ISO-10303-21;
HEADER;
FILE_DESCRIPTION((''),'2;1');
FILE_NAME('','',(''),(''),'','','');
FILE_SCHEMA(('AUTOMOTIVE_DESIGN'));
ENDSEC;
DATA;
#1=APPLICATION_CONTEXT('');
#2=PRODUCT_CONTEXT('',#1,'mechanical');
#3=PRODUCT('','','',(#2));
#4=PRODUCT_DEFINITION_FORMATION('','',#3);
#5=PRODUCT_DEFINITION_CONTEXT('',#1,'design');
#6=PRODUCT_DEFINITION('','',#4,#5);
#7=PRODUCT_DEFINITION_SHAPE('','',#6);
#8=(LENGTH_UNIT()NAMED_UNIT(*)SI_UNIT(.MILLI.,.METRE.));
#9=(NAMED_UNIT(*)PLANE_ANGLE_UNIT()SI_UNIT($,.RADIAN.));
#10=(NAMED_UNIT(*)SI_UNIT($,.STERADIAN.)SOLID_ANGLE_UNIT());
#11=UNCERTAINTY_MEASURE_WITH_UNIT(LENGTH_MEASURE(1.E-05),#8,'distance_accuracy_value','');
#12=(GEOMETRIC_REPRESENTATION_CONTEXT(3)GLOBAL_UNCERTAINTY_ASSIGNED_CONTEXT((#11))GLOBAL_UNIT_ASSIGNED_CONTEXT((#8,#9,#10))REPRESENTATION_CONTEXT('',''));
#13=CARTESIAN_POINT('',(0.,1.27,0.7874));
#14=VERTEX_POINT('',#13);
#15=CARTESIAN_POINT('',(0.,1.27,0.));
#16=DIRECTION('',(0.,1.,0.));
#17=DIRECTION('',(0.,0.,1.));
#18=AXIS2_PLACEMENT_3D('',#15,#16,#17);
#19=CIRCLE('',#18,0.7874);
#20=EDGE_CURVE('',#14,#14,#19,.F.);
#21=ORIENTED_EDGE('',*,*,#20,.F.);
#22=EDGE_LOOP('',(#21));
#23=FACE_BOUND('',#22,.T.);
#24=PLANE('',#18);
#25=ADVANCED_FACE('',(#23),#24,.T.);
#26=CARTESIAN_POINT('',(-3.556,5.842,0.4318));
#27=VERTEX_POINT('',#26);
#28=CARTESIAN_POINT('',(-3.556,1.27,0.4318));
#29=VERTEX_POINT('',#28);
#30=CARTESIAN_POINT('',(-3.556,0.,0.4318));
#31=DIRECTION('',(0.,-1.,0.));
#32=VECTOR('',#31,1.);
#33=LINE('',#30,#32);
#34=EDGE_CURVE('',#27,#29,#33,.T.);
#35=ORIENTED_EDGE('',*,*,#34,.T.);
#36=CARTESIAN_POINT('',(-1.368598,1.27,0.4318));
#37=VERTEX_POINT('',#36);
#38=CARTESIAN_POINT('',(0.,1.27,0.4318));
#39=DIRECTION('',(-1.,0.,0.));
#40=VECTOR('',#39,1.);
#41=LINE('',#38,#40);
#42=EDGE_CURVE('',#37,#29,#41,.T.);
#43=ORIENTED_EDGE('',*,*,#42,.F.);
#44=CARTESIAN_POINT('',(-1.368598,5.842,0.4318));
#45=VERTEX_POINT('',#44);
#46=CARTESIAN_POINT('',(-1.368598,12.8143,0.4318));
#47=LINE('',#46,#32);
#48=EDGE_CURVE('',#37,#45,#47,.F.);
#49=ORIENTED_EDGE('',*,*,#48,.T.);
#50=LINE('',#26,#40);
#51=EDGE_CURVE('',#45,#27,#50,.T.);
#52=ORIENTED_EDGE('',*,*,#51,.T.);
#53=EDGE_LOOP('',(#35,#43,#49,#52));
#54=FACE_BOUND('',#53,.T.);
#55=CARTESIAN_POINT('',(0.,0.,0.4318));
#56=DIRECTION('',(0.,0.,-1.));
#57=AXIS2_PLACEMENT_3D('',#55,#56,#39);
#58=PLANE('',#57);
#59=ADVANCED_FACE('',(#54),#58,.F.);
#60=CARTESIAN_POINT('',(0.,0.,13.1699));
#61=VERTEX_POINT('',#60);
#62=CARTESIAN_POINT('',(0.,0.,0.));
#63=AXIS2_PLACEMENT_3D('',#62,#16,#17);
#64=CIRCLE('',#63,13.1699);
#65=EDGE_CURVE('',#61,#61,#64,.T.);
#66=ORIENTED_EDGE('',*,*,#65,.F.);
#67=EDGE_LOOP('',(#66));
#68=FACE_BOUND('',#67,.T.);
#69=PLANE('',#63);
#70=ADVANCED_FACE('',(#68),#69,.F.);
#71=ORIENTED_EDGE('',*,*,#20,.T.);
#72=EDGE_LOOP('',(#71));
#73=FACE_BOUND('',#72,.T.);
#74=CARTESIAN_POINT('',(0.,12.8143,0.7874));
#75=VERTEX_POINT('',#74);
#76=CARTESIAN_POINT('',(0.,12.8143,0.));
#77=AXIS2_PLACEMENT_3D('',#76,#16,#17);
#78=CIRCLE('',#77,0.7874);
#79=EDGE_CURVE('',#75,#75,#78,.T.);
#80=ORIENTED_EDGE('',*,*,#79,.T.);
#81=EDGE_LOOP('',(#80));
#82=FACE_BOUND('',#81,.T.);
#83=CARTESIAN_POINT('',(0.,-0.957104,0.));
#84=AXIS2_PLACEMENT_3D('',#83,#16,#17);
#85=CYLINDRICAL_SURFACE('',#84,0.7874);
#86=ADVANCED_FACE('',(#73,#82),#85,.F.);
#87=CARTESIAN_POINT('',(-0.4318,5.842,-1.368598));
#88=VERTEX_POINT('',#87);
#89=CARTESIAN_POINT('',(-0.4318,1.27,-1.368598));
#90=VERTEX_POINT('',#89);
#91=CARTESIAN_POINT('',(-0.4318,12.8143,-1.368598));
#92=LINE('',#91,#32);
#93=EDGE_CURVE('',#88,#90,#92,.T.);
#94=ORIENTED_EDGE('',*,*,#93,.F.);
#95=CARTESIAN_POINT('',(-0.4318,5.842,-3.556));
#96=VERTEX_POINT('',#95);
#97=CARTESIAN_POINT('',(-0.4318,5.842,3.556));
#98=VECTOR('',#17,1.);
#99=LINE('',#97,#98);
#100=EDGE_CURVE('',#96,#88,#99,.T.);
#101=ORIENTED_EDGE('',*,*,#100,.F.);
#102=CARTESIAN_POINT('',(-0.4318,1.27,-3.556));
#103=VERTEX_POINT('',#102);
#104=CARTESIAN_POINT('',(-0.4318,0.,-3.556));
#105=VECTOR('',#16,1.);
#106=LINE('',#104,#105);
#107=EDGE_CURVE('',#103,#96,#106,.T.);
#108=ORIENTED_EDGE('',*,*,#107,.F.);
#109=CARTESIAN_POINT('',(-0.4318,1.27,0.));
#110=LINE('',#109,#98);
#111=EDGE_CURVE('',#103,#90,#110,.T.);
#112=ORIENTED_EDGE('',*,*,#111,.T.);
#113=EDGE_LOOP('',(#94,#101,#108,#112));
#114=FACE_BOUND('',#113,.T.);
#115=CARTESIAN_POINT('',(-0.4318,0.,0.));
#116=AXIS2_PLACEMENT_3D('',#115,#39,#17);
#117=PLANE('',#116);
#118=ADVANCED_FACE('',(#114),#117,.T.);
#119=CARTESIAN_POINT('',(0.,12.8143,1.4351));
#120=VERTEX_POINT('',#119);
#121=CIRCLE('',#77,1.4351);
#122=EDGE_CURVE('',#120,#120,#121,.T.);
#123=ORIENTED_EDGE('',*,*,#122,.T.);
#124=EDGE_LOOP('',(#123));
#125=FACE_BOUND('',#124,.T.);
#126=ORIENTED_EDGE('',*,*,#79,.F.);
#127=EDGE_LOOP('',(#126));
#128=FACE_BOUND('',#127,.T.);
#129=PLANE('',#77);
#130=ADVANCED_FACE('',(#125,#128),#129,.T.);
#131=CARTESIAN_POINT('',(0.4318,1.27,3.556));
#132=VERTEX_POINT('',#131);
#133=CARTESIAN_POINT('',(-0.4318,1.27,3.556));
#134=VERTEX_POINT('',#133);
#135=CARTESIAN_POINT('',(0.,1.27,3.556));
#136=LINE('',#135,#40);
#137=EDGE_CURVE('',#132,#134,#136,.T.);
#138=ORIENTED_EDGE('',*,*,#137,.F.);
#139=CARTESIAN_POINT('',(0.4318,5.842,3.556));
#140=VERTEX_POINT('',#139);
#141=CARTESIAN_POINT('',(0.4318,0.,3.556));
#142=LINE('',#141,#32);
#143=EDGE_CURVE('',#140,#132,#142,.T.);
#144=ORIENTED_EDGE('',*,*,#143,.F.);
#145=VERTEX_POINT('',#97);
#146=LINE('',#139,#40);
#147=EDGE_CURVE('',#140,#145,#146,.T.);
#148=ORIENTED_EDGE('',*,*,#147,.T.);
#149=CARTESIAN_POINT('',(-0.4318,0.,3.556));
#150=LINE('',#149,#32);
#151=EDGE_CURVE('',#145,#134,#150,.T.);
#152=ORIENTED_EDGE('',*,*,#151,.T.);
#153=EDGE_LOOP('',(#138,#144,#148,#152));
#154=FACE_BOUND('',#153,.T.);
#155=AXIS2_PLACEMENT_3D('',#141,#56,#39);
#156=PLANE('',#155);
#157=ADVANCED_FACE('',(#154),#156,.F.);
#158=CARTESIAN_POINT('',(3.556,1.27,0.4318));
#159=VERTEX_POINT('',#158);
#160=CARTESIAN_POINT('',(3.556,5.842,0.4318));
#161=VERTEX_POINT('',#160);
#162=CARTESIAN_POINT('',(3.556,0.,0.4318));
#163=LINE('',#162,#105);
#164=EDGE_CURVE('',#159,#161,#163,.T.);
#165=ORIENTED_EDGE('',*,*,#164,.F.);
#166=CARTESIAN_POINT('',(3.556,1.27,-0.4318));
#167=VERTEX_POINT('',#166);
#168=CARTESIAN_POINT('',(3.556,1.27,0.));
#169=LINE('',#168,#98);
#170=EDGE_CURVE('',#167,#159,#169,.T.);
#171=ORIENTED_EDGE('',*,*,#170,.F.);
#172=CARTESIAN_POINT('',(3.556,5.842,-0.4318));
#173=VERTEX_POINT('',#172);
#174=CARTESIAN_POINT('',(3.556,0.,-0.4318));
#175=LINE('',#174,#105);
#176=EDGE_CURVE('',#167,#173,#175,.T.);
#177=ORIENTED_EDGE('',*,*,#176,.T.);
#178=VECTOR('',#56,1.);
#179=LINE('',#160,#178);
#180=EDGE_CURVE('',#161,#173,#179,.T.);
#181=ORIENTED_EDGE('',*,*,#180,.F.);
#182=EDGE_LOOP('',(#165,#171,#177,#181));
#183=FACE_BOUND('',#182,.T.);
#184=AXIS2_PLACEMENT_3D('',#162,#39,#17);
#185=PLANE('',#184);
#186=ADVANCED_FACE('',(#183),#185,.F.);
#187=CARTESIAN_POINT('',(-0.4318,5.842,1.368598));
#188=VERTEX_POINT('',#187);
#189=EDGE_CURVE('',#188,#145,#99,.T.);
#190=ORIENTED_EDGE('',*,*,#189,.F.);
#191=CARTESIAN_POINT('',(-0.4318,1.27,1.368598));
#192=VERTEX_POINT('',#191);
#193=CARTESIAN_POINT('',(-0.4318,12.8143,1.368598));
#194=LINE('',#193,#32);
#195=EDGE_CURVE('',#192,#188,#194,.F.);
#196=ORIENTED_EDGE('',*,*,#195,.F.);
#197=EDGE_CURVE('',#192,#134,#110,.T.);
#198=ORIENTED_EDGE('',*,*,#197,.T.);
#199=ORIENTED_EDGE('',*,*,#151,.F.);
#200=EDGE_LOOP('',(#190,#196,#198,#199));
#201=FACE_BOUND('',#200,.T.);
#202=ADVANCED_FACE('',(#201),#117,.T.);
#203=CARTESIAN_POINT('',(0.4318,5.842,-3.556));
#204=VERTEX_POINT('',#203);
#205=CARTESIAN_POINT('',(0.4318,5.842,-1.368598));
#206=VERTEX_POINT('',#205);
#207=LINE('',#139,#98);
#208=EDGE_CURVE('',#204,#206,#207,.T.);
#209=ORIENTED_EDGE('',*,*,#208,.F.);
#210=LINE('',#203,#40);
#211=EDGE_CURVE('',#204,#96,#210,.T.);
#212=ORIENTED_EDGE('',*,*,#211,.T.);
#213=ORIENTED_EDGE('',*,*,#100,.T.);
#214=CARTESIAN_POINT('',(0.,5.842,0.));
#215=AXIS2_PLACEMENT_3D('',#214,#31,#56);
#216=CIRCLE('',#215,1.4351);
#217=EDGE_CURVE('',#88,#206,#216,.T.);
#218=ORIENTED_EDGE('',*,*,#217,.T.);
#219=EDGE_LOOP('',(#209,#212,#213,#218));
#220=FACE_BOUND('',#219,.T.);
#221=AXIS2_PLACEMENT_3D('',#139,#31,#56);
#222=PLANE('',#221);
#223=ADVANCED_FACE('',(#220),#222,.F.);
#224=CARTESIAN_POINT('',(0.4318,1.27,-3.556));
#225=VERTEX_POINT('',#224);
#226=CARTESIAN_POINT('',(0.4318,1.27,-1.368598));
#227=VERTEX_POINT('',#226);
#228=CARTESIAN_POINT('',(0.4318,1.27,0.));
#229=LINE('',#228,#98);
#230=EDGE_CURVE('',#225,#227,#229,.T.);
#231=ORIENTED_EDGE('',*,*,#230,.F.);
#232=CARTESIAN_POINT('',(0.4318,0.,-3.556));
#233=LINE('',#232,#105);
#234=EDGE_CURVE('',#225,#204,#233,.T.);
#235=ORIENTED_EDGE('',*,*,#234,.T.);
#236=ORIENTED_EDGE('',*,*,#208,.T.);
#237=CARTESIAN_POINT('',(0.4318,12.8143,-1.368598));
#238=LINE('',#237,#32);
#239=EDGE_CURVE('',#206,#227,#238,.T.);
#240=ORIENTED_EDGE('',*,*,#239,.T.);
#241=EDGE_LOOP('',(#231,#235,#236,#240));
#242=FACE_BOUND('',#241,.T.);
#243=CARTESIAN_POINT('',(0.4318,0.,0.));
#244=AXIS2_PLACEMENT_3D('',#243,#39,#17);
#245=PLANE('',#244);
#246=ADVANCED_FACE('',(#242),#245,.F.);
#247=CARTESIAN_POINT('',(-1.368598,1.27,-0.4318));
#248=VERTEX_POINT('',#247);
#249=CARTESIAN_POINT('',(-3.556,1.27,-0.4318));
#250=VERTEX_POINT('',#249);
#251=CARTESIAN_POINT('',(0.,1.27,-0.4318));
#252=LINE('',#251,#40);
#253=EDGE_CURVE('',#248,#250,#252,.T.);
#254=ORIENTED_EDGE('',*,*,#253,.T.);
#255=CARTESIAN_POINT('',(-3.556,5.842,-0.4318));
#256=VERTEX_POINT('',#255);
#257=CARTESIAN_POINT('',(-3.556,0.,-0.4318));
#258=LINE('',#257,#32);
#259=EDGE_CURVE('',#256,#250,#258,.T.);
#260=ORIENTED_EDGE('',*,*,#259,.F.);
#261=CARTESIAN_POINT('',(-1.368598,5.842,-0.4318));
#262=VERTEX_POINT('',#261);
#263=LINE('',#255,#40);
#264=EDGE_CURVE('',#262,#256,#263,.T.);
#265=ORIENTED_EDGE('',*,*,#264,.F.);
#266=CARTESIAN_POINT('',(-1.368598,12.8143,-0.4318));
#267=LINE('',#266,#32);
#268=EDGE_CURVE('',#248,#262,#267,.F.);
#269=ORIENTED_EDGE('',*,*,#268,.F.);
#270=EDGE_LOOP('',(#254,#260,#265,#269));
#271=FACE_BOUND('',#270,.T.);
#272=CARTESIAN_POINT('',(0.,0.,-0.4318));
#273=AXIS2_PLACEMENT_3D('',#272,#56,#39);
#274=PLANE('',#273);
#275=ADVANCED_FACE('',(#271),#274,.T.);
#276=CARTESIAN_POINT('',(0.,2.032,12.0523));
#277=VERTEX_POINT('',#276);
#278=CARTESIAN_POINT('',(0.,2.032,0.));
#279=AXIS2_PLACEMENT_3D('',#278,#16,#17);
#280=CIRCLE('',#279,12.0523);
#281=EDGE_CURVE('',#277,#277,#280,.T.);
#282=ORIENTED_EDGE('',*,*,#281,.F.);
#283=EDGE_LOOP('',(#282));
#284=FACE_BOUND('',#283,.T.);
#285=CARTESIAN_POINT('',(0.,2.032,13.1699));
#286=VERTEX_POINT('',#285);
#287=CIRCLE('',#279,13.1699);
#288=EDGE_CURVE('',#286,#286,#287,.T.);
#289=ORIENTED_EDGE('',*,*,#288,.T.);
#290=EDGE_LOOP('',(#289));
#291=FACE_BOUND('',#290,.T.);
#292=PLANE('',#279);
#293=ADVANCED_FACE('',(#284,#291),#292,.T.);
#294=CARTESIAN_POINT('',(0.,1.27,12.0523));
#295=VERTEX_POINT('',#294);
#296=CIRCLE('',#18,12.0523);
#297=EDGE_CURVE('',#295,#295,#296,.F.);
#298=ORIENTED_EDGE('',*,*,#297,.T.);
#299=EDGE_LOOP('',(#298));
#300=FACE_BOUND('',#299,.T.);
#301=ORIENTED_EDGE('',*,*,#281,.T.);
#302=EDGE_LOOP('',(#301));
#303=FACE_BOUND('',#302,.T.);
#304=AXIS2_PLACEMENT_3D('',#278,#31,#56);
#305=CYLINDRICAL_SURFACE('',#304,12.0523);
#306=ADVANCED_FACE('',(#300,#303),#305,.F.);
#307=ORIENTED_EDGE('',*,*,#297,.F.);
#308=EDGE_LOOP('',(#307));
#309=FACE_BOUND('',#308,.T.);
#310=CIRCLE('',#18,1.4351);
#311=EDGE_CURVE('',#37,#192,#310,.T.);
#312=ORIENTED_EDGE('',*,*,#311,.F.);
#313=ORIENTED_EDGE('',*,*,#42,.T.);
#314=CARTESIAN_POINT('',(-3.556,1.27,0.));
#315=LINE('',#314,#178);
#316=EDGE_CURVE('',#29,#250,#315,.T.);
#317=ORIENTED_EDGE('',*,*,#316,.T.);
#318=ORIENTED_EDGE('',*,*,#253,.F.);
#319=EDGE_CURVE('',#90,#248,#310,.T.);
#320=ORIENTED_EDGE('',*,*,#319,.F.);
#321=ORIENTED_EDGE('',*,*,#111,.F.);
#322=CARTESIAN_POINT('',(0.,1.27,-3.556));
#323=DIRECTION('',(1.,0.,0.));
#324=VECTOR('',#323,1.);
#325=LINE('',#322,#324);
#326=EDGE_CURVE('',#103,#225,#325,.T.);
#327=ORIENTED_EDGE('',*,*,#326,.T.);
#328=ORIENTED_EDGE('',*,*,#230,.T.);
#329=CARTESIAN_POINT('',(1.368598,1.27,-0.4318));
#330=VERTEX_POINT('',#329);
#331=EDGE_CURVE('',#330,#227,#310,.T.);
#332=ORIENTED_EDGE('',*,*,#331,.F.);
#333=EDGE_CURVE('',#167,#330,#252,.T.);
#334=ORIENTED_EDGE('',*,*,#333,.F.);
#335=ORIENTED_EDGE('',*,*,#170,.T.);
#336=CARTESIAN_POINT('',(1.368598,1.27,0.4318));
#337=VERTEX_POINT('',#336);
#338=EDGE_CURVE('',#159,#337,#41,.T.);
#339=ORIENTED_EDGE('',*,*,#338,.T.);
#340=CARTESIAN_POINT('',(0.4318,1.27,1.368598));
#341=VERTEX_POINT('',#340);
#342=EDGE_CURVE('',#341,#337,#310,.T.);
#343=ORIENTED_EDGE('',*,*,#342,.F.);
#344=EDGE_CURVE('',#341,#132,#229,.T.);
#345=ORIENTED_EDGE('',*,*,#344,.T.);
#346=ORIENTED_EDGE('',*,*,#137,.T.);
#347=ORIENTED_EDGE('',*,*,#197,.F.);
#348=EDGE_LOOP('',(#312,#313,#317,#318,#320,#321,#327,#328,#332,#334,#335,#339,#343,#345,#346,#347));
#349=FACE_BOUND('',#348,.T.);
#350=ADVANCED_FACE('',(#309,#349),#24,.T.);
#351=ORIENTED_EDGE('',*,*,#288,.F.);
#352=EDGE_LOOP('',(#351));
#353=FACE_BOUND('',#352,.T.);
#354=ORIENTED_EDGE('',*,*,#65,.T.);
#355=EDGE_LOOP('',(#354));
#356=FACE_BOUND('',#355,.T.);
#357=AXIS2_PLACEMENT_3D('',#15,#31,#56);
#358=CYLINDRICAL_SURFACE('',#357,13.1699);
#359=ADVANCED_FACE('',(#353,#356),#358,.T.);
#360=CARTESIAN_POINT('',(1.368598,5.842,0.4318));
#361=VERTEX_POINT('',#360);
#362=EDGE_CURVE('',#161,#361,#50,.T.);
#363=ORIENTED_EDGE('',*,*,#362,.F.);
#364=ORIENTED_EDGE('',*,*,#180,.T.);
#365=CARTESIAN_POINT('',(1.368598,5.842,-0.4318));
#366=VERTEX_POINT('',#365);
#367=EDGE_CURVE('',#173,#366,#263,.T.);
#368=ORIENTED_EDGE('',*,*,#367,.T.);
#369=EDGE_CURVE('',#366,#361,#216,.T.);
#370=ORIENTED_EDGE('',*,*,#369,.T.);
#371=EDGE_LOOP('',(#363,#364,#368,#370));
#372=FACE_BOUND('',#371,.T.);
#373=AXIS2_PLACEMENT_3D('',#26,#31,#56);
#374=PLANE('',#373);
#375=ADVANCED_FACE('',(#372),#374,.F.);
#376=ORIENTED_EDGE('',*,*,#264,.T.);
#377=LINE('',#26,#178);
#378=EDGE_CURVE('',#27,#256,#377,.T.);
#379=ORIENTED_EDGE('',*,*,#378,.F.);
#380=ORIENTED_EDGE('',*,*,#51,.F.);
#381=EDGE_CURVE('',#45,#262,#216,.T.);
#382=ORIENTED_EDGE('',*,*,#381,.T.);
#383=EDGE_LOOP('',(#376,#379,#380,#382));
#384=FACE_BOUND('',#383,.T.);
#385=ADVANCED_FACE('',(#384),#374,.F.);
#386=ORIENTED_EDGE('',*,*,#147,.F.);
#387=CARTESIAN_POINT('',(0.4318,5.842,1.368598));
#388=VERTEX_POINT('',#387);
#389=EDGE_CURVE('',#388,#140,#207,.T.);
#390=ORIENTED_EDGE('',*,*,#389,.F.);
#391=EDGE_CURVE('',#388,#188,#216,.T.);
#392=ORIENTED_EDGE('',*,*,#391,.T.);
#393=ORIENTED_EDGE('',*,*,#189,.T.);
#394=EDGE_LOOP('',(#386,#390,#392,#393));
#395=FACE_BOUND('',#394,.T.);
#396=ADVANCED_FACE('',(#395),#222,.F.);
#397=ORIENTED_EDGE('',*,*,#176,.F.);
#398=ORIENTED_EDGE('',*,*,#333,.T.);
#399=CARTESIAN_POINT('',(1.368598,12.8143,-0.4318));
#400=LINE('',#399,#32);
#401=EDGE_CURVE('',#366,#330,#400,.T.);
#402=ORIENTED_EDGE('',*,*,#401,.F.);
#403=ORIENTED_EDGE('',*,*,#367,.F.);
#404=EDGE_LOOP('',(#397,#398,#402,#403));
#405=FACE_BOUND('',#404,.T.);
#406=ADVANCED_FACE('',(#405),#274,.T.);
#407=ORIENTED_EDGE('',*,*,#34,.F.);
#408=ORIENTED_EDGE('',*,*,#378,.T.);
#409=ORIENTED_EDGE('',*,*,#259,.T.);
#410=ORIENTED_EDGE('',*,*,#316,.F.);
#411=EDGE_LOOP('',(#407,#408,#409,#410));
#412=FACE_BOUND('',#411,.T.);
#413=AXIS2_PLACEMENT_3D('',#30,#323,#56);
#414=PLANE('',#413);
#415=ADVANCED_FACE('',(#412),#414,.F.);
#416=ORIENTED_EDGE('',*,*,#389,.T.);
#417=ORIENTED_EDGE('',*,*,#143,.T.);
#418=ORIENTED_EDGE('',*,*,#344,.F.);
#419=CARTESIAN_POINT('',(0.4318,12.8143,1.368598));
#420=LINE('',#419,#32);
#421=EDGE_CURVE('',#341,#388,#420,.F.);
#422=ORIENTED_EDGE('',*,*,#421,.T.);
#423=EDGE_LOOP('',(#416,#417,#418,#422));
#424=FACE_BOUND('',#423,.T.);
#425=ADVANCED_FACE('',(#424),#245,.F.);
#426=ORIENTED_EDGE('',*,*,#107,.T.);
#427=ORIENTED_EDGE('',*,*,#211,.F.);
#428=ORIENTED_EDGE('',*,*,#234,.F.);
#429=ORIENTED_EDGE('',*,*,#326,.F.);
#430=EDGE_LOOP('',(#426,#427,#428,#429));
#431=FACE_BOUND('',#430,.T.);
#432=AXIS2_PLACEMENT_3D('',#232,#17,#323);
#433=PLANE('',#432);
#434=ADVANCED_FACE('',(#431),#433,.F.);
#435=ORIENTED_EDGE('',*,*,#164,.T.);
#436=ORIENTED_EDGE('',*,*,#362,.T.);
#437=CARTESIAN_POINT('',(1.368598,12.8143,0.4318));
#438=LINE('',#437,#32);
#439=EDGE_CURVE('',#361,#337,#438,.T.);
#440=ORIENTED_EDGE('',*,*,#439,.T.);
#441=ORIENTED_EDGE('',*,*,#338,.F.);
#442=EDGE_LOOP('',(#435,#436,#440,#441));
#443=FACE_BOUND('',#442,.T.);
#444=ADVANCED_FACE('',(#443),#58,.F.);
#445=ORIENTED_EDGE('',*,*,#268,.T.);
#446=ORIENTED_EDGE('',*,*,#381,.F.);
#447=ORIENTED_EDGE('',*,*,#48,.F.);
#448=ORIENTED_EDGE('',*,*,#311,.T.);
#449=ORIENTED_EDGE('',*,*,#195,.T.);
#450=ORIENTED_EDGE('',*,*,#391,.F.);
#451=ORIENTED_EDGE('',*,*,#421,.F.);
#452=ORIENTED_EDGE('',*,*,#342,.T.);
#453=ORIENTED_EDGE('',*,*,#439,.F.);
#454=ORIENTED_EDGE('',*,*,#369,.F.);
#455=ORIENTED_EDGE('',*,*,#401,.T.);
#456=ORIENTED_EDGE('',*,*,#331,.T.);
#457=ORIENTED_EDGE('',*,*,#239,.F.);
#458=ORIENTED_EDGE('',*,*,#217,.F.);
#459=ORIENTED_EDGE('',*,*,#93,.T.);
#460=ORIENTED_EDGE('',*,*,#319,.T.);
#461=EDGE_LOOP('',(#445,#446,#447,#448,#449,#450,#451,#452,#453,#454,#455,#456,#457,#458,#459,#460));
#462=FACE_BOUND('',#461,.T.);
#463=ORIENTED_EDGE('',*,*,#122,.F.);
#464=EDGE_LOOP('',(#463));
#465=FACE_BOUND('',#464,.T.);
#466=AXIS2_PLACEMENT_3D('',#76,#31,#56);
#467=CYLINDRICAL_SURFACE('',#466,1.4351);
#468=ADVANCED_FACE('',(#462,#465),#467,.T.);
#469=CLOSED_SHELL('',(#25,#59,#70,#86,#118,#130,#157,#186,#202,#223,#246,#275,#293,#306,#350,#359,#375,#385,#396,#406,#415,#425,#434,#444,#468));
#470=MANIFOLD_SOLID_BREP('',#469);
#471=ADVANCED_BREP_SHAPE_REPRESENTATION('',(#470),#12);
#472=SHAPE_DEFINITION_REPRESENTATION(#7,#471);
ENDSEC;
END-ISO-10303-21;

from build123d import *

# Parameters (mm, degrees)
SKETCH1_R           = 13.1699
BOSS_EXTRUDE1_DEPTH = 1.27
SKETCH2_R           = 13.1699
SKETCH2_R_2         = 12.0523
BOSS_EXTRUDE2_DEPTH = 0.762
SKETCH3_R           = 1.4351
BOSS_EXTRUDE3_DEPTH = 11.5443
SKETCH6_W           = 7.112
SKETCH6_H           = 5.842
BOSS_EXTRUDE4_DEPTH = 0.4318
SKETCH7_W           = 7.112
SKETCH7_H           = 5.842
BOSS_EXTRUDE5_DEPTH = 0.4318
SKETCH4_R           = 0.7874
CUT_EXTRUDE1_DEPTH  = 11.5443


with BuildPart() as part:
    # Sketch1 → Boss-Extrude1 (new body)
    with BuildSketch(Plane(origin=(0, 0, 0), x_dir=(1, 0, 0), z_dir=(0, 1, 0))):
        Circle(SKETCH1_R)
    extrude(amount=BOSS_EXTRUDE1_DEPTH)

    # Sketch2 → Boss-Extrude2 (add)
    with BuildSketch(Plane(origin=(0, 1.27, 0), x_dir=(1, 0, 0), z_dir=(0, 1, 0))):
        Circle(SKETCH2_R)
        Circle(SKETCH2_R_2, mode=Mode.SUBTRACT)
    extrude(amount=BOSS_EXTRUDE2_DEPTH)

    # Sketch3 → Boss-Extrude3 (add)
    with BuildSketch(Plane(origin=(0, 1.27, 0), x_dir=(1, 0, 0), z_dir=(0, 1, 0))):
        Circle(SKETCH3_R)
    extrude(amount=BOSS_EXTRUDE3_DEPTH)

    # Sketch6 → Boss-Extrude4 (add, symmetric)
    with BuildSketch(Plane.XY):
        with Locations((0, 2.921)):
            Rectangle(SKETCH6_W, SKETCH6_H)
    extrude(amount=BOSS_EXTRUDE4_DEPTH, both=True)

    # Sketch7 → Boss-Extrude5 (add, symmetric)
    with BuildSketch(Plane(origin=(0, 0, 0), x_dir=(0, 0, -1), z_dir=(1, 0, 0))):
        with Locations((0, 2.921)):
            Rectangle(SKETCH7_W, SKETCH7_H)
    extrude(amount=BOSS_EXTRUDE5_DEPTH, both=True)

    # Sketch4 → Cut-Extrude1 (cut)
    with BuildSketch(Plane(origin=(0, 12.8143, 0), x_dir=(1, 0, 0), z_dir=(0, 1, 0))):
        Circle(SKETCH4_R)
    extrude(amount=-CUT_EXTRUDE1_DEPTH, mode=Mode.SUBTRACT)


solid = part.part
